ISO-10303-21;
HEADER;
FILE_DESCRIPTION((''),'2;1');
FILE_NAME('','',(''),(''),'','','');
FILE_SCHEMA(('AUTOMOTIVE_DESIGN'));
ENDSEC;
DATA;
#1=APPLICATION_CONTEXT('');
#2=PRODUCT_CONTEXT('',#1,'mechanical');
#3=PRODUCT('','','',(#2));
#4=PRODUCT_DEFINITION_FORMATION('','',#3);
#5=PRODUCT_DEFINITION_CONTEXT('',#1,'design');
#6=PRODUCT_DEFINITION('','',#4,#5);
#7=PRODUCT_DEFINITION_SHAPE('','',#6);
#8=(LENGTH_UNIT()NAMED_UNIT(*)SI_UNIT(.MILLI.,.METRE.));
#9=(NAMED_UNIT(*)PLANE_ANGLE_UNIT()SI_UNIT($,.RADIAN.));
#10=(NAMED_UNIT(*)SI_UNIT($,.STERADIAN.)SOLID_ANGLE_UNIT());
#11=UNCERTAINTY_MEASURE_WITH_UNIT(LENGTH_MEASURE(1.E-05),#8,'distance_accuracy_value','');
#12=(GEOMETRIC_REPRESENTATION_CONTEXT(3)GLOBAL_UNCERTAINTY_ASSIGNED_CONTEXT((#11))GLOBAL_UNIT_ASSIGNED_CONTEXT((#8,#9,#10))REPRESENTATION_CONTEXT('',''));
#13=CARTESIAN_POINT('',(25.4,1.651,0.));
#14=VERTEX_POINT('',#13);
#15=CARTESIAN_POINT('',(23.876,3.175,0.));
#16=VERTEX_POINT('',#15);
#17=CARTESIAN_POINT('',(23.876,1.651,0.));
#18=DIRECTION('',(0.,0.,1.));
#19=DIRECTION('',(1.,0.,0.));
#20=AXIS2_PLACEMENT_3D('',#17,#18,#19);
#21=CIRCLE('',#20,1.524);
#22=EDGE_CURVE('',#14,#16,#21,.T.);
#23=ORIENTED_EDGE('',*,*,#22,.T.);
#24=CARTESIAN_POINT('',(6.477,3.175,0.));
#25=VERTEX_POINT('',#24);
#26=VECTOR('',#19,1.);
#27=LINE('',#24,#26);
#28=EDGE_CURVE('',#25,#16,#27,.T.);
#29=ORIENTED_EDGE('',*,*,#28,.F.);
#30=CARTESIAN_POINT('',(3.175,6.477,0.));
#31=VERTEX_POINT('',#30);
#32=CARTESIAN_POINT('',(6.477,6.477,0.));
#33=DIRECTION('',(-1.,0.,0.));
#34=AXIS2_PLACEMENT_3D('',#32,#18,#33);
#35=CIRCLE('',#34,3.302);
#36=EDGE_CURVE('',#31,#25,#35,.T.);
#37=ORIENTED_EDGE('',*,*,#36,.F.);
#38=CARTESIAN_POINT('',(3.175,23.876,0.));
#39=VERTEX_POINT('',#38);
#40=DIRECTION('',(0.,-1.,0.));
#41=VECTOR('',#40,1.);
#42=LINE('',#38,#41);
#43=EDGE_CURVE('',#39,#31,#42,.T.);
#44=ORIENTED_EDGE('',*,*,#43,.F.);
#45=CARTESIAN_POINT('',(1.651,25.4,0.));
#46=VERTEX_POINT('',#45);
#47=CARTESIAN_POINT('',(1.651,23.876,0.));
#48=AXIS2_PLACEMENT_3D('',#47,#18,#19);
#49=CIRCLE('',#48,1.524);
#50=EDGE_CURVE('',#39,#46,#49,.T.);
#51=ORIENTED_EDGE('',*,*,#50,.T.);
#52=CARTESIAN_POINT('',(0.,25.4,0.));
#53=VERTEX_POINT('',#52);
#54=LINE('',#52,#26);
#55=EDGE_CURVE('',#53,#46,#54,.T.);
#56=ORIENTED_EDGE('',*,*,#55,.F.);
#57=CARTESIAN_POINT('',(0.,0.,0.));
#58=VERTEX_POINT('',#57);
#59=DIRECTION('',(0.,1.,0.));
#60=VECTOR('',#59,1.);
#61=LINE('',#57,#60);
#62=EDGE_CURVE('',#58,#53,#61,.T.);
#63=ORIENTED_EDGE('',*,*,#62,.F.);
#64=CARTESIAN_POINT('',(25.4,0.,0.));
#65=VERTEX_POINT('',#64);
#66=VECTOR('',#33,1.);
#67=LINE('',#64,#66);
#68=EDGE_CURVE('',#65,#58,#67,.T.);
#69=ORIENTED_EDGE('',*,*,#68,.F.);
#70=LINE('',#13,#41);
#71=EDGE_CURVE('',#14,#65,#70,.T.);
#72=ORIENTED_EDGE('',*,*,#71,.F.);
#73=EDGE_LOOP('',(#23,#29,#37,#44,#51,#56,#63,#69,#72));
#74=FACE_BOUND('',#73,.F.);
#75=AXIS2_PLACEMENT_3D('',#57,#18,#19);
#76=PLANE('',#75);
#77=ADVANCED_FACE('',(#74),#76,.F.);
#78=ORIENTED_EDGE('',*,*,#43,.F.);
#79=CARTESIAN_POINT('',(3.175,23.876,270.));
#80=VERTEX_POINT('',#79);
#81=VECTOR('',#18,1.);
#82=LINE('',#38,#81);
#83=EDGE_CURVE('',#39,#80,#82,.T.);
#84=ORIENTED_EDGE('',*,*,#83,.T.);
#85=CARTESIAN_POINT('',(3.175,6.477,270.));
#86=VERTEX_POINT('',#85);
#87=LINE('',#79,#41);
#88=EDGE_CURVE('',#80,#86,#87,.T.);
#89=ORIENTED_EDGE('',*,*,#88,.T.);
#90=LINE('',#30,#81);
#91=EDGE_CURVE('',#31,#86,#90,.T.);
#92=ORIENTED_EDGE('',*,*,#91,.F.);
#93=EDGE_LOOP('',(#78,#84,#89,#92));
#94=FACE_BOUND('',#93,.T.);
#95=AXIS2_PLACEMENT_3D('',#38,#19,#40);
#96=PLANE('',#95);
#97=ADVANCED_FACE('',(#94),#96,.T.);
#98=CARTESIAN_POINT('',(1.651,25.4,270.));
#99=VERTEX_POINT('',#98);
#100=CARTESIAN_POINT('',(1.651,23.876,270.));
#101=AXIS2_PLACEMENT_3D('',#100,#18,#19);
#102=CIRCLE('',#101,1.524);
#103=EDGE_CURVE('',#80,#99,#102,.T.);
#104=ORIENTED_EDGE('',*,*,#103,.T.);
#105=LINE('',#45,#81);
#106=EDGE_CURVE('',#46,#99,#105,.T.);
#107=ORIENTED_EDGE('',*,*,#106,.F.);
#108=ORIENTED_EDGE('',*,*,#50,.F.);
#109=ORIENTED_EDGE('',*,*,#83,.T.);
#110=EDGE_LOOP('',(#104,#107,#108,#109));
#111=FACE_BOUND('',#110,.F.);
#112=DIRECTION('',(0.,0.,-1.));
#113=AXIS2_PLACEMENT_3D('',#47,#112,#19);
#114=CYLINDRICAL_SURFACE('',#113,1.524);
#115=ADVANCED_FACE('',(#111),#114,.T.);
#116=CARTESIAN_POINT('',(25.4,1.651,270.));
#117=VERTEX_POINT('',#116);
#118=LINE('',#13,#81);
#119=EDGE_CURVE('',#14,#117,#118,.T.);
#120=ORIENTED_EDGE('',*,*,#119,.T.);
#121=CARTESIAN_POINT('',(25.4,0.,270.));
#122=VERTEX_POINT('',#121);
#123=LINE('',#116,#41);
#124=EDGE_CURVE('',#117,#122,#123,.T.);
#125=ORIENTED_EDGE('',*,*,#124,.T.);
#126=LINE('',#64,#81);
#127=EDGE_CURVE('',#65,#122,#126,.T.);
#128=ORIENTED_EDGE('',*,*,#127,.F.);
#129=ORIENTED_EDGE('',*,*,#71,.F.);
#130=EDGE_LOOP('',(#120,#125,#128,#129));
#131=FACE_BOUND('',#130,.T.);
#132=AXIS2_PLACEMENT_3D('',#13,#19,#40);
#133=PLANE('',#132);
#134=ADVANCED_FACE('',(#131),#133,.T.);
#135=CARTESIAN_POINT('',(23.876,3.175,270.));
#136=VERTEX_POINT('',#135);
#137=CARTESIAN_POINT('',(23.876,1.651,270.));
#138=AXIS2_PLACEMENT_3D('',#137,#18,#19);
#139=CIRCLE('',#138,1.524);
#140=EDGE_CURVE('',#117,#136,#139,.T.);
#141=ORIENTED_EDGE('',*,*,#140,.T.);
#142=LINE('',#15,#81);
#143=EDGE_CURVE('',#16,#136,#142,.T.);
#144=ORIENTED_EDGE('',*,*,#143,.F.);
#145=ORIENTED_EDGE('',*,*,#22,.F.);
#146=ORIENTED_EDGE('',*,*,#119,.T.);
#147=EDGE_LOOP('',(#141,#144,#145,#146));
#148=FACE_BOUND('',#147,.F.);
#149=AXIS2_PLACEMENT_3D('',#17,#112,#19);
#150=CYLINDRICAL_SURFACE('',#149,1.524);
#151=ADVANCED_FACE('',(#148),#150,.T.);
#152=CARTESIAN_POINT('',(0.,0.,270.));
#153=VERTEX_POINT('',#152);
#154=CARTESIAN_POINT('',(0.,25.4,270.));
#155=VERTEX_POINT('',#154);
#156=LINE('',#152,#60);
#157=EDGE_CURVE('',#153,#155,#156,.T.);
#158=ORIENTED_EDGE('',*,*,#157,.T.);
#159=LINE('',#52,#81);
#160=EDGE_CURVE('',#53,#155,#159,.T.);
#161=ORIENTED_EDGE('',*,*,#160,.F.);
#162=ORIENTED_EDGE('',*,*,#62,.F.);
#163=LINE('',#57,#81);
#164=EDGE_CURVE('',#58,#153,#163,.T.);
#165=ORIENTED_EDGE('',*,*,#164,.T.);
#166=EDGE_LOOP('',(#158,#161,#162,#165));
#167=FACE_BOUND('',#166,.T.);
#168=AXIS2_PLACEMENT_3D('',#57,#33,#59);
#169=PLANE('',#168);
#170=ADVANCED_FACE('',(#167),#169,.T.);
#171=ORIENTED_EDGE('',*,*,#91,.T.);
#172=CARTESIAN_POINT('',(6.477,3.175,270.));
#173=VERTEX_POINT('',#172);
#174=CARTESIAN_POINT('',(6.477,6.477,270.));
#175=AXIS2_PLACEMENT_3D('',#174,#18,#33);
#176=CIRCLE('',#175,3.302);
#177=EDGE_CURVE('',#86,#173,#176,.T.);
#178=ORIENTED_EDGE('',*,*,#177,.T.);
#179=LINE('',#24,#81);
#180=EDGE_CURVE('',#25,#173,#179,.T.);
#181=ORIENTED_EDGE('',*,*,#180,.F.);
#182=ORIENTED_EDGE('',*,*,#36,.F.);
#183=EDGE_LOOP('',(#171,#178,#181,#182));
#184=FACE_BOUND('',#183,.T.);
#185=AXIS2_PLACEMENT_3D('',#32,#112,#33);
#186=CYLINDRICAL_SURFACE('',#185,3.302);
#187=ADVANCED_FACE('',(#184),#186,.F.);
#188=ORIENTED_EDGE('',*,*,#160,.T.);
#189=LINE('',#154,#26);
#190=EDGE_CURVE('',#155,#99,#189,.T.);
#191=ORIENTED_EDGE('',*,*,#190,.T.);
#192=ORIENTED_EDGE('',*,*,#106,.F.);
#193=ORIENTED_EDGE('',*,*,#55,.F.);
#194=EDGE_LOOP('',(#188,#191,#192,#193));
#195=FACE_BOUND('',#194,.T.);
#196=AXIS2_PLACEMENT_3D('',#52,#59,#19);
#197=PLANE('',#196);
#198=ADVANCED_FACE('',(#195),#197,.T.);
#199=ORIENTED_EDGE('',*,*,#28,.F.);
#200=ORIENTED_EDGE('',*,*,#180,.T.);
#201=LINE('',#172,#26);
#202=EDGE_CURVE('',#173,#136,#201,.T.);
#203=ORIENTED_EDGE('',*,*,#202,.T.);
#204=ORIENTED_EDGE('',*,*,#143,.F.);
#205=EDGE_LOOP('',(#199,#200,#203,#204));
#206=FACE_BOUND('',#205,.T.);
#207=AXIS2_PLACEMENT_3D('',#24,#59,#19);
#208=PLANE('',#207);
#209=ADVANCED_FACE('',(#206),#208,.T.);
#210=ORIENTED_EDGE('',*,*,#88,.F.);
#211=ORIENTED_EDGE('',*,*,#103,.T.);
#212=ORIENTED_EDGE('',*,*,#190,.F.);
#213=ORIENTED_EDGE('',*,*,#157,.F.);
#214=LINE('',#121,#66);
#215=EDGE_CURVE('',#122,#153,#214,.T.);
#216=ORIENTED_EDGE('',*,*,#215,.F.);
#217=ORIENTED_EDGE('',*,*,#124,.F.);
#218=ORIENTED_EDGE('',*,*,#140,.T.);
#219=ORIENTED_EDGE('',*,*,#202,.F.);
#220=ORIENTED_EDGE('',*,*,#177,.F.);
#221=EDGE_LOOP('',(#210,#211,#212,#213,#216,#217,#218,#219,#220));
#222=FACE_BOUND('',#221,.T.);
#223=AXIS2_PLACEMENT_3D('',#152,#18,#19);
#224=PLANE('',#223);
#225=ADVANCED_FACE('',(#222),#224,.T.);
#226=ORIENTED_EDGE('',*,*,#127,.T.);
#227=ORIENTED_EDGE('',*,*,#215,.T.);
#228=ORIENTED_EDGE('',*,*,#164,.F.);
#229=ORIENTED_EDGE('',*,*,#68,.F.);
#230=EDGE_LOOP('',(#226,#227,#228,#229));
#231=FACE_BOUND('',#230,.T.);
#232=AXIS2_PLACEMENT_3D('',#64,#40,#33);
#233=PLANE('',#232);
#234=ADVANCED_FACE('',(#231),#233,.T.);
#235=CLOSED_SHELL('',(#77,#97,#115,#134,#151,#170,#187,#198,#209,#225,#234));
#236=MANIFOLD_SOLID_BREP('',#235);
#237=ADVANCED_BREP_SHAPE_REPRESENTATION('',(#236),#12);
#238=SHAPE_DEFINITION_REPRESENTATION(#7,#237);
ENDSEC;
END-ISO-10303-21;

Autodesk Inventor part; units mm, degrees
ref_plane "YZ Plane" through (0, 0, 0) normal (1, 0, 0) x (0, 1, 0)
ref_plane "Start Plane" through (0, 0, 0) normal (0, 0, 1) x (1, 0, 0)
ref_plane "End Plane" through (0, 0, 270) normal (0, 0, 1) x (1, 0, 0)
sketch "Sketch" plane through (0, 0, 0) normal (0, 0, 1) x (1, 0, 0)
  line L0 (25.4, 0) -> (0, 0)
  line L1 (0, 0) -> (0, 25.4)
  line L2 (0, 25.4) -> (1.651, 25.4)
  line L3 (3.175, 23.876) -> (3.175, 6.477)
  line L4 (6.477, 3.175) -> (23.876, 3.175)
  line L5 (25.4, 1.651) -> (25.4, 0)
  line L6 (0, -11.0414) -> (0, 31.5385) construction
  line L7 (-11.0414, 0) -> (31.5385, 0) construction
  arc A0 (3.175, 6.477) -> (6.477, 3.175) centre (6.477, 6.477) ccw
  arc A1 (3.175, 23.876) -> (1.651, 25.4) centre (1.651, 23.876) ccw
  arc A2 (25.4, 1.651) -> (23.876, 3.175) centre (23.876, 1.651) ccw
  line L8 (0, 40.0545) -> (0, -19.5574) construction
  line L9 (-19.5574, 0) -> (40.0545, 0) construction
  point P0 (3.175, 25.4)
  point P1 (3.175, 3.175)
  point P2 (25.4, 3.175)
  dimension "d0" = 25.4
  dimension "d1" = 25.4
  dimension "d2" = 3.175
  dimension "d3" = 3.175
  dimension "d10" = 0
  dimension "d11" = 0
  dimension "d14" = 3.302
  dimension "d15" = 1.524
extrude "Body" add sketch "Sketch" along normal up to surface (270 mm away) from surface at 0
sketch "Sketch3" plane through (0, 0, 0) normal (0, 0, 1) x (1, 0, 0)
  line L0 (0, 0) -> (10, 0)
ref_plane "Work Plane3" through (0, 0, 0) normal (0, -1, 0) x (1, 0, 0)
sketch "Sketch4" plane through (0, 0, 0) normal (0, -1, 0) x (1, 0, 0)
  line L0 (-2, 0) -> (12, 0) projected
  line L1 (-2, 270) -> (12, 270) projected
  dimension "d17" = 270
equation "\"d0\" = G_H"
equation "\"d1\" = G_H"
equation "\"d2\" = G_T"
equation "\"d3\" = G_T"
equation "\"d14\" = G_IR"
equation "\"d15\" = G_ER"
equation "\"d4\" = G_L"
equation "\"G_H\" = 25.4"
equation "\"G_T\" = 3.175"
equation "\"G_ER\" = 1.524"
equation "\"G_IR\" = 3.302"
equation "\"G_L\" = d17"
equation "\"ex\" = 0"
equation "\"G_OFFSET_START\" = 0"
equation "\"G_OFFSET_END\" = 0"
properties part number "AISC - L 1 x 1 x 1/8 - 10.63" material "Steel, Mild"
